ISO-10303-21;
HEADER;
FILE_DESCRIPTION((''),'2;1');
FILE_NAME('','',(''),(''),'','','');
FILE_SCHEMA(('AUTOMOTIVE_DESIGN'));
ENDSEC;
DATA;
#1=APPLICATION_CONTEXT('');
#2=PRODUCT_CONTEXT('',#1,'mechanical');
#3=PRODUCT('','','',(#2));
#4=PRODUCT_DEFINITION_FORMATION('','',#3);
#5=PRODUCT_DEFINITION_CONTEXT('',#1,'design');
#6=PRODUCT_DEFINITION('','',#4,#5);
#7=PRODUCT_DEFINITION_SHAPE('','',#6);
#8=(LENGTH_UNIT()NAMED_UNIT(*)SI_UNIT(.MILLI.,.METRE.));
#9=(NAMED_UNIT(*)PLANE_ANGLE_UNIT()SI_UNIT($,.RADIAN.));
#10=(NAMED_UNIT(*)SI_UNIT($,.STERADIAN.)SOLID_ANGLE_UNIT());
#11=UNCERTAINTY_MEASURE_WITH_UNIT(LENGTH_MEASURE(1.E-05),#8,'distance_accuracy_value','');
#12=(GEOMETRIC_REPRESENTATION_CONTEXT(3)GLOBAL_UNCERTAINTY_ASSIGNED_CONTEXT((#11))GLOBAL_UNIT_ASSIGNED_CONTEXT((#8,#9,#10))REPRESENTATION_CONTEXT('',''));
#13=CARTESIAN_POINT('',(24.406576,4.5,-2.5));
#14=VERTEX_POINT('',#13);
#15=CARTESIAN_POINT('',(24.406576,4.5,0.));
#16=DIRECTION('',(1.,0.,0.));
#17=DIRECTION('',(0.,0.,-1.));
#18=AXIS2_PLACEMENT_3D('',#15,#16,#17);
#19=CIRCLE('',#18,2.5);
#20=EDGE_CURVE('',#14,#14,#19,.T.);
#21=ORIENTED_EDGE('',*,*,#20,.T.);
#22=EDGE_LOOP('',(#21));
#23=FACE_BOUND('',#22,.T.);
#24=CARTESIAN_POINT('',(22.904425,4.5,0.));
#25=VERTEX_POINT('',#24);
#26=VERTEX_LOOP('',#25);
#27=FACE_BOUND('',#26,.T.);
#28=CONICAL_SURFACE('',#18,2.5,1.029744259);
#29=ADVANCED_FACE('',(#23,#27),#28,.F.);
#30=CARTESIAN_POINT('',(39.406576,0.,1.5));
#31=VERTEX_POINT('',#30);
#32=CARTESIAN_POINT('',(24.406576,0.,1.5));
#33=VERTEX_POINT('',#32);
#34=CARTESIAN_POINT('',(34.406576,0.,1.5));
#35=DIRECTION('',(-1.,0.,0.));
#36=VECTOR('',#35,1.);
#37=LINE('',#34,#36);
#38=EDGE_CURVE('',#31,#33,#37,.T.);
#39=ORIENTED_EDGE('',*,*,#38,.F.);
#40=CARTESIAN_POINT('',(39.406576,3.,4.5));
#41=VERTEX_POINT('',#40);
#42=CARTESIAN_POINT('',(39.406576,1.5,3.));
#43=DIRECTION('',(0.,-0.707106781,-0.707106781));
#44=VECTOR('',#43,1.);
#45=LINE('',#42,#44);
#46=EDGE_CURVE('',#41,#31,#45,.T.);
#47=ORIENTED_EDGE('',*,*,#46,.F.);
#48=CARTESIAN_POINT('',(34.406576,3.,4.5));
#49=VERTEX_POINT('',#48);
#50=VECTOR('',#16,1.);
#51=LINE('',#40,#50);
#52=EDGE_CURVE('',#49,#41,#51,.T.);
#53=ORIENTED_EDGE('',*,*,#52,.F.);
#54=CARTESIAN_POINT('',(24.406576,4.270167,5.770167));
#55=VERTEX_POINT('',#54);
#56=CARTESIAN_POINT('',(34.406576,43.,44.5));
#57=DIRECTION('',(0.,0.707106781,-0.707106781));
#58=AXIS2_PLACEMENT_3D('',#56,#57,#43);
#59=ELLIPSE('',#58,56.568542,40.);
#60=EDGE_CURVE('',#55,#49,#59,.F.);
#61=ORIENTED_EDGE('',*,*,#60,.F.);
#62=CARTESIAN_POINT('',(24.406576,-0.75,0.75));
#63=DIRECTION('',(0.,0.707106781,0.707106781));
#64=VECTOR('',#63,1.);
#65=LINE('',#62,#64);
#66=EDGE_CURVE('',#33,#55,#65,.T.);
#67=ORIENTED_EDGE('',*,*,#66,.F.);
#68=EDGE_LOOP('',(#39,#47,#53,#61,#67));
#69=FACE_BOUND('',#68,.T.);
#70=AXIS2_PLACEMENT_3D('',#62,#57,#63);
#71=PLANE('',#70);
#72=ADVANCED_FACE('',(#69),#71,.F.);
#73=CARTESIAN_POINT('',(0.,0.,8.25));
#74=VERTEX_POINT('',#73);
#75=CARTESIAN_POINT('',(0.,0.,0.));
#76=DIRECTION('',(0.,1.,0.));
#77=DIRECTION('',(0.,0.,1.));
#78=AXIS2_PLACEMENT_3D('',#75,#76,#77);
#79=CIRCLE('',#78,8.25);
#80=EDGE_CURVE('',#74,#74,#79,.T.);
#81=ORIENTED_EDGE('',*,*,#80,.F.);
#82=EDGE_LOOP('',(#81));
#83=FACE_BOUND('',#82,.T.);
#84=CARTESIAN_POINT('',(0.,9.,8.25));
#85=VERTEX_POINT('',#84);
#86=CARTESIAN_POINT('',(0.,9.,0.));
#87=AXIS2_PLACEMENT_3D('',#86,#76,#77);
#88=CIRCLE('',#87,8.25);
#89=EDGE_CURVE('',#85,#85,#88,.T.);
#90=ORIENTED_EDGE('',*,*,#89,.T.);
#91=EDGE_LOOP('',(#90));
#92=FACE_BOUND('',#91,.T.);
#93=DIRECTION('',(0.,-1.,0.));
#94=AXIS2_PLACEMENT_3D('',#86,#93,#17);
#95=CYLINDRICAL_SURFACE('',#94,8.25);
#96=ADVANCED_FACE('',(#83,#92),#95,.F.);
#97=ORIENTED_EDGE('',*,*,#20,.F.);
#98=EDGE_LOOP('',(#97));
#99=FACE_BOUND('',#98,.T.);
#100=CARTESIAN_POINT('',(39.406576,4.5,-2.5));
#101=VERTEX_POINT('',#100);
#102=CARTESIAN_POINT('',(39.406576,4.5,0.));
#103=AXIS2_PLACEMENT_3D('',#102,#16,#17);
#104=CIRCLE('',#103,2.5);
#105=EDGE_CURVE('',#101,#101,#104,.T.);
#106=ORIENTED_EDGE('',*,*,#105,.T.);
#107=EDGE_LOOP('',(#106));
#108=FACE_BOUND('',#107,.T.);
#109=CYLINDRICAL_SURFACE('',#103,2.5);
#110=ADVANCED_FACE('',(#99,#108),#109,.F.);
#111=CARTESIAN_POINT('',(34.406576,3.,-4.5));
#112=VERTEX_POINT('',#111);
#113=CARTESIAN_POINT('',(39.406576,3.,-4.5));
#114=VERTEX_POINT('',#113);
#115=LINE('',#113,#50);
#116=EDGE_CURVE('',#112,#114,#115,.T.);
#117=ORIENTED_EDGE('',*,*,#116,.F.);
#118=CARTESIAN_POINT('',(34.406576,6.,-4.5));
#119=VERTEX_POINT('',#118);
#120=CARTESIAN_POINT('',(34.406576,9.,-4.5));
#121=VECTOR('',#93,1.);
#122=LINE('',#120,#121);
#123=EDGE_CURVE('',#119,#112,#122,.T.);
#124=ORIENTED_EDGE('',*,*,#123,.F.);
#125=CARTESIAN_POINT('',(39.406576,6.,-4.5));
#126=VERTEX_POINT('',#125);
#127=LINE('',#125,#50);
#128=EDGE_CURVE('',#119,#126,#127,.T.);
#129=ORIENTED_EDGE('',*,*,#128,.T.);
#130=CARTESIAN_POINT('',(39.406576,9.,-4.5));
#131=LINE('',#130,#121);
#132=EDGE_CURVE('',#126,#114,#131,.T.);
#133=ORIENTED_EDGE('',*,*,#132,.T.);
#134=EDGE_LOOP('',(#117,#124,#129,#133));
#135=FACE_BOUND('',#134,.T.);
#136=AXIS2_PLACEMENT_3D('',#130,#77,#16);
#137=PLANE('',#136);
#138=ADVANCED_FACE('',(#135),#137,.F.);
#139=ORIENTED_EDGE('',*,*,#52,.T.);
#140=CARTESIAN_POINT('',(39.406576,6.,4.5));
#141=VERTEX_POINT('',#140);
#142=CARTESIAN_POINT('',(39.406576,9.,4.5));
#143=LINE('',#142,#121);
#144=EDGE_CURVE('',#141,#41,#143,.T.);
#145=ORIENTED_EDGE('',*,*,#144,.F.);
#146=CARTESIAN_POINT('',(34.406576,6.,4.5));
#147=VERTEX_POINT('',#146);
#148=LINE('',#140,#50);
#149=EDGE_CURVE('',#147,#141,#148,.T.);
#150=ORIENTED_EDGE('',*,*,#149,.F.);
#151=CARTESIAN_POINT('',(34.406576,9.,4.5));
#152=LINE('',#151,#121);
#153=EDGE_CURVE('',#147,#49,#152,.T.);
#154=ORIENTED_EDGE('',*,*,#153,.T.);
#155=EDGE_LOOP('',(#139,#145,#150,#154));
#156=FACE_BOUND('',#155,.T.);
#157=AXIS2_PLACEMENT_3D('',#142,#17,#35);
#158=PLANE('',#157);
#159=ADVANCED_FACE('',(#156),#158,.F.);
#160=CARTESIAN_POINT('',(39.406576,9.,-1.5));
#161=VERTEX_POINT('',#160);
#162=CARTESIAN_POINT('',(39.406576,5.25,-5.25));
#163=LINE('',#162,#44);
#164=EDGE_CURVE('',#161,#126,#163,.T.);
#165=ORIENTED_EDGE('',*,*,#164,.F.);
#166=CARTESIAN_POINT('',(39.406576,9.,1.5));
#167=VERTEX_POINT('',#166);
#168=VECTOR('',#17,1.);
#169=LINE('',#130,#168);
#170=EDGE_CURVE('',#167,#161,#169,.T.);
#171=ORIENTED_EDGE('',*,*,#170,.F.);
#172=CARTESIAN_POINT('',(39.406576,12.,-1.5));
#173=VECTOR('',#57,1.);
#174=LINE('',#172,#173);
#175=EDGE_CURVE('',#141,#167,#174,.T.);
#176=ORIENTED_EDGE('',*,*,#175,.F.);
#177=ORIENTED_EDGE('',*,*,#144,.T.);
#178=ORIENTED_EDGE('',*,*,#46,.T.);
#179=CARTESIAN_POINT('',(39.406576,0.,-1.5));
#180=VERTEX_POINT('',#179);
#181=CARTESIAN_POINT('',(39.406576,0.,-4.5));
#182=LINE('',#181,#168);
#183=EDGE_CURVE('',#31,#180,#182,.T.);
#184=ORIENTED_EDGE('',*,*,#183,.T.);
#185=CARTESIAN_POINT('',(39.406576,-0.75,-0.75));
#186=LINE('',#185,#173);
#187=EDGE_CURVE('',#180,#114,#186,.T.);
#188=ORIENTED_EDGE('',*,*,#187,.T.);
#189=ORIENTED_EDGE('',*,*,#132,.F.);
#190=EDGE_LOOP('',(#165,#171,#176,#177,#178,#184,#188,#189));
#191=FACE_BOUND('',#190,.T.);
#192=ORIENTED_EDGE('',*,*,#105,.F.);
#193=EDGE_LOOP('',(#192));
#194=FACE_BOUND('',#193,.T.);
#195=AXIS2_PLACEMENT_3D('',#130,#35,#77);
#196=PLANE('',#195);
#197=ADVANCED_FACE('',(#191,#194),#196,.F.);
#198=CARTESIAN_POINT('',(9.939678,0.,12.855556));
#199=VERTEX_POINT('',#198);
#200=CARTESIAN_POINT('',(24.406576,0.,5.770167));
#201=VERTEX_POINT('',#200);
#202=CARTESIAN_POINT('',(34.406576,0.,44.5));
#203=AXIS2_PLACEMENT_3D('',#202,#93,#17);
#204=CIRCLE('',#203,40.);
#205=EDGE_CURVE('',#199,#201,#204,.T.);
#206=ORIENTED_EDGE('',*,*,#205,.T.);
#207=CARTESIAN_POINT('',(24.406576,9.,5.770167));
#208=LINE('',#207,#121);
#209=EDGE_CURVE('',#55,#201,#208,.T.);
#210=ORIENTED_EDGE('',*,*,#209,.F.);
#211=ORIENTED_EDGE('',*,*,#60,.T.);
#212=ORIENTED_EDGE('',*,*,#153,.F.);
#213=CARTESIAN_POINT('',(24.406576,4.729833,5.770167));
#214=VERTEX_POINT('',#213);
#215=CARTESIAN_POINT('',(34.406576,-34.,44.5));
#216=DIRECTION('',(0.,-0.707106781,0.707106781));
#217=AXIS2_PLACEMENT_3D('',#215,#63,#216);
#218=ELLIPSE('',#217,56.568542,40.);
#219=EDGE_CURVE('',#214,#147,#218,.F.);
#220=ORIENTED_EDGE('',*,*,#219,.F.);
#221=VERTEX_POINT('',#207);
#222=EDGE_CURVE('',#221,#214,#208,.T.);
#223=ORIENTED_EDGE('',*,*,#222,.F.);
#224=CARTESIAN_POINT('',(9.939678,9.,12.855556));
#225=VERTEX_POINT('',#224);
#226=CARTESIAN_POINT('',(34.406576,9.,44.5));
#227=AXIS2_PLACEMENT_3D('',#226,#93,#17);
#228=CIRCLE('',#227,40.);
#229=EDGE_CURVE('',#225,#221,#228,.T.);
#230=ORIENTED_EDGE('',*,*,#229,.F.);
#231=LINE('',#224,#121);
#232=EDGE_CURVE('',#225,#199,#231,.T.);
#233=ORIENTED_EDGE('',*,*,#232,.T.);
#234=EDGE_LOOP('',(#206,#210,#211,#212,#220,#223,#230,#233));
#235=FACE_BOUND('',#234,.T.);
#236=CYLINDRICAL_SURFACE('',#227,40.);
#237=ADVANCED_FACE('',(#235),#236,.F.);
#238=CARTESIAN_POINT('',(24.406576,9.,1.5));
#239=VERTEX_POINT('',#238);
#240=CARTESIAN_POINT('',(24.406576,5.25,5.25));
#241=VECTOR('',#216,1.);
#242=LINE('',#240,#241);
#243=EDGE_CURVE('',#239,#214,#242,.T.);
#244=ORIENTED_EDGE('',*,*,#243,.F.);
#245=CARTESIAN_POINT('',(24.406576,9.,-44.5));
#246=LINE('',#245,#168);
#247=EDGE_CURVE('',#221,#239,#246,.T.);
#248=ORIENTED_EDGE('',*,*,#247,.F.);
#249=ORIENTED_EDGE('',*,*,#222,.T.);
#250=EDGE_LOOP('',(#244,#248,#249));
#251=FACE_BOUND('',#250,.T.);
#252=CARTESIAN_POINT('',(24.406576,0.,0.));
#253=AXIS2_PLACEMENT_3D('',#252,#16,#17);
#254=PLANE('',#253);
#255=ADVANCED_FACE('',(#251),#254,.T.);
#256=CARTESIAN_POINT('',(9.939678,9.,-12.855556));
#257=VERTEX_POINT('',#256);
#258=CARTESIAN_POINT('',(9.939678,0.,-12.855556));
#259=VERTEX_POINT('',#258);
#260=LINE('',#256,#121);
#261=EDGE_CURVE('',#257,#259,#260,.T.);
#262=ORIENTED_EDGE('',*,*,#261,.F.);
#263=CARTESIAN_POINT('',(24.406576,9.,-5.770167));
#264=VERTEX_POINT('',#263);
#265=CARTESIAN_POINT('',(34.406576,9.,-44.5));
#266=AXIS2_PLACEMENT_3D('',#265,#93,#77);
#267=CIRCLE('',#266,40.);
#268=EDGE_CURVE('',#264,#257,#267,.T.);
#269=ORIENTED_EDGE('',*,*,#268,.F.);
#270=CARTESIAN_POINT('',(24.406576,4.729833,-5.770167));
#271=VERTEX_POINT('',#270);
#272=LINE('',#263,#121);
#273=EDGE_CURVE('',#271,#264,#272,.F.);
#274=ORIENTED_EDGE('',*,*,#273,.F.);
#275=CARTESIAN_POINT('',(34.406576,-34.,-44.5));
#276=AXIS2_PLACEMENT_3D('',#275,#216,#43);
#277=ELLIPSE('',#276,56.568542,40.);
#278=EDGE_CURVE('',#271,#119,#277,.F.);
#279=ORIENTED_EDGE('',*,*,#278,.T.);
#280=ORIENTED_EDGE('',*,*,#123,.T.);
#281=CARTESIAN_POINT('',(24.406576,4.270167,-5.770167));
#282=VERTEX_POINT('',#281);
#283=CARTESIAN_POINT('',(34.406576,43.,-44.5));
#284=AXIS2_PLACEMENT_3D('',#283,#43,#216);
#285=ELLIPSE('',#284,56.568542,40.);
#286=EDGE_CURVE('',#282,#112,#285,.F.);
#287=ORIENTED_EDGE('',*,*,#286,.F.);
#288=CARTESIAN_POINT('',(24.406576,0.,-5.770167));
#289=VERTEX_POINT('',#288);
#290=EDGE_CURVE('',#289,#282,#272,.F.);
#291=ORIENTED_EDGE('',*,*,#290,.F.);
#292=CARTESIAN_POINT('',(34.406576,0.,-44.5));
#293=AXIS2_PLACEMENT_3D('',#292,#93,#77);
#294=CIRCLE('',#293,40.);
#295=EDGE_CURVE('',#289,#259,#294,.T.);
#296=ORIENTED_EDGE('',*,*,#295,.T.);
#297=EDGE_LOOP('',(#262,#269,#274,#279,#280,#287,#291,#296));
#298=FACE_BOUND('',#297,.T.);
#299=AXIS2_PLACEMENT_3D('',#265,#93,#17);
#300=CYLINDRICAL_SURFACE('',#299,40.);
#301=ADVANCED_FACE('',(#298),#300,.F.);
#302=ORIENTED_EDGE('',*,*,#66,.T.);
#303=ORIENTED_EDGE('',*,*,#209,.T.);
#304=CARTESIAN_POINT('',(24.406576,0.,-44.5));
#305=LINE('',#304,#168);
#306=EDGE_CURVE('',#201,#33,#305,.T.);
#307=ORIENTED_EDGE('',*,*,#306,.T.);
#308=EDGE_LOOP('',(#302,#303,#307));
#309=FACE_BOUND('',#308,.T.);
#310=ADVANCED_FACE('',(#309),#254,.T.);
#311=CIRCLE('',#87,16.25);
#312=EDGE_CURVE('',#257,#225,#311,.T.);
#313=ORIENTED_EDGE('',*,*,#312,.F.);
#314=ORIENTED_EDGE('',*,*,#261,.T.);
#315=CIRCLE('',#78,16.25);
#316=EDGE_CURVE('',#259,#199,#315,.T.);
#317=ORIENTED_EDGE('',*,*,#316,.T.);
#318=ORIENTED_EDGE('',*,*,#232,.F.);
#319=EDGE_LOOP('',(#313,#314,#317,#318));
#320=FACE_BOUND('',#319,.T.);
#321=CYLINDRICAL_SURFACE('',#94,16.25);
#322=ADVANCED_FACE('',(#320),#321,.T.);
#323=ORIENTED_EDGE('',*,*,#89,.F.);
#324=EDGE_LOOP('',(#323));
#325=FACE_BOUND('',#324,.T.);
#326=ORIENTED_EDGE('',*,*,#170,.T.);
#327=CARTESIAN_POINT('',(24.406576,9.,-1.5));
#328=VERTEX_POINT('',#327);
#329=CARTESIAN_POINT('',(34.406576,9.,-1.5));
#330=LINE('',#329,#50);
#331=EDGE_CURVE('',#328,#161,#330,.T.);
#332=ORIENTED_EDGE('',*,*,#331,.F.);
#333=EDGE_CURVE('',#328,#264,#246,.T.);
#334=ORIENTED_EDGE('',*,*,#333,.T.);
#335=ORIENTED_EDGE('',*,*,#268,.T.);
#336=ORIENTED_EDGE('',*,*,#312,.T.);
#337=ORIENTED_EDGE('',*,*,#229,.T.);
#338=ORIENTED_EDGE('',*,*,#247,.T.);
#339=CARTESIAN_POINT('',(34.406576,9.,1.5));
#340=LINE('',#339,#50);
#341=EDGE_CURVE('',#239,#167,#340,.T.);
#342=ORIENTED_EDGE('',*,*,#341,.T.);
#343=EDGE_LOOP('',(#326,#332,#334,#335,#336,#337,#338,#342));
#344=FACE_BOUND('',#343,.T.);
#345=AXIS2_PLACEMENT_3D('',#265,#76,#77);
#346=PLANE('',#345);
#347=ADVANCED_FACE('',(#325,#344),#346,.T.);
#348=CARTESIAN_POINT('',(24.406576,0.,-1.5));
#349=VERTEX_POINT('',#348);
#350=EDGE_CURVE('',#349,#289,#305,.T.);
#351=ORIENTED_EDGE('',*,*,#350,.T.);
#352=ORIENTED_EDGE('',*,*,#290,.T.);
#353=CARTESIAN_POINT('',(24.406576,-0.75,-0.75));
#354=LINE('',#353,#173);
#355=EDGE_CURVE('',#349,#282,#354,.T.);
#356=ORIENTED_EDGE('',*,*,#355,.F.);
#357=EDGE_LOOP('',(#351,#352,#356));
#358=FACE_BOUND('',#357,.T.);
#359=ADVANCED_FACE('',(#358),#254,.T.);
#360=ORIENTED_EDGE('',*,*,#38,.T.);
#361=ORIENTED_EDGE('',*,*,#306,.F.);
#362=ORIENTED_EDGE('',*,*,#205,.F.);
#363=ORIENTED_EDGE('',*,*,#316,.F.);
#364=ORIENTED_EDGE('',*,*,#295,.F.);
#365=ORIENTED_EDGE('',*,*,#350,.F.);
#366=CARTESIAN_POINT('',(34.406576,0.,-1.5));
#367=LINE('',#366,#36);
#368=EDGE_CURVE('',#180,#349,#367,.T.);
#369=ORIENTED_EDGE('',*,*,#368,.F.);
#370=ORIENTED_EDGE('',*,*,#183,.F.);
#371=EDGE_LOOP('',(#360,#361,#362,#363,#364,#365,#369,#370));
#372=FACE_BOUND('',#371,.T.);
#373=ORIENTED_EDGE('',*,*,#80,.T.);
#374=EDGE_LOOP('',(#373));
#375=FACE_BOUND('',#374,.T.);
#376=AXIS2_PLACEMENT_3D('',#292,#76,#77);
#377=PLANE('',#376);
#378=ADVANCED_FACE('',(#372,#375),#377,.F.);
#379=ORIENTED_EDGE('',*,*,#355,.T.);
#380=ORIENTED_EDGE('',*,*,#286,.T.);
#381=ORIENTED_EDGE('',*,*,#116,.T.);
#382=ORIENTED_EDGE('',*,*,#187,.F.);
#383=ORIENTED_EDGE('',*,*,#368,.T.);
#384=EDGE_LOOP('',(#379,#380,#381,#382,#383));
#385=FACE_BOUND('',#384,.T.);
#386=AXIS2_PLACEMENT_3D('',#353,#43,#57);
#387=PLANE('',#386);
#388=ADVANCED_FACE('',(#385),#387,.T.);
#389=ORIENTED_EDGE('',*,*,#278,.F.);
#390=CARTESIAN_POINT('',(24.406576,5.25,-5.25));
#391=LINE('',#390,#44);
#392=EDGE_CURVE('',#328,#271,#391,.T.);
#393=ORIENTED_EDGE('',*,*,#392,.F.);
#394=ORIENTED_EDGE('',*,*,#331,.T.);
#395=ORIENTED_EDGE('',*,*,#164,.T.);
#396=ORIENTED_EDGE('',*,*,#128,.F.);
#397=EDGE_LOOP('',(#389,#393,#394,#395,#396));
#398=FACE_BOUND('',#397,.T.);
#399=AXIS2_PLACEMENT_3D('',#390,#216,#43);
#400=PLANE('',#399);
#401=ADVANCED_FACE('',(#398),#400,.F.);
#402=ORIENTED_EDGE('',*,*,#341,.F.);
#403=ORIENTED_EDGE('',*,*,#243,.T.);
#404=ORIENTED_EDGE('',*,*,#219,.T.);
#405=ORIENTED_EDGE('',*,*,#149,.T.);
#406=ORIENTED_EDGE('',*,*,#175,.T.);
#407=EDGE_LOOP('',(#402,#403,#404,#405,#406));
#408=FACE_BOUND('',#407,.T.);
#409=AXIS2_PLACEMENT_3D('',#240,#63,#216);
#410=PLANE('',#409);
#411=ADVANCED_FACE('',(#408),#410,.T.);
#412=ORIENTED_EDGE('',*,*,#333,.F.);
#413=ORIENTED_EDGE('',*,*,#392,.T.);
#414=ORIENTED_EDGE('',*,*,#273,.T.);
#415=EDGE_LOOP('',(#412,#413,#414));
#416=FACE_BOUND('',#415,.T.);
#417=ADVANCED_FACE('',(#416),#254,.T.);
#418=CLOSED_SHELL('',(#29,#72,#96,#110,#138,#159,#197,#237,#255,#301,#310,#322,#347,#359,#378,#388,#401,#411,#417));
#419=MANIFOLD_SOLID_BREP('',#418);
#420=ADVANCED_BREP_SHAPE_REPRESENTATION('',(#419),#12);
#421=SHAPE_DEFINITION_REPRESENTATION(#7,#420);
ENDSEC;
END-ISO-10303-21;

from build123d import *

# Parameters (mm, degrees)
SKETCH1_R                 = 8.25
BOSS_EXTRUDE1_DEPTH       = 9
M6X1_0_TAPPED_HOLE2_D     = 5
M6X1_0_TAPPED_HOLE2_DEPTH = 15
M6X1_0_TAPPED_HOLE2_TIP   = 1.502151548
CUT_EXTRUDE4_DEPTH        = 15


with BuildPart() as part:
    # Sketch1 → Boss-Extrude1 (new body)
    with BuildSketch(Plane(origin=(0, 0, 0), x_dir=(1, 0, 0), z_dir=(0, 1, 0))):
        with BuildLine():
            Line((39.406576406, 4.5), (39.406576406, -4.5))
            Line((39.406576406, -4.5), (34.406576406, -4.5))
            ThreePointArc((34.406576406, -4.5), (21.47943012, -6.646481156), (9.939677628, -12.855555556))
            ThreePointArc((9.939677628, -12.855555556), (-16.25, 0), (9.939677628, 12.855555556))
            ThreePointArc((9.939677628, 12.855555556), (21.47943012, 6.646481156), (34.406576406, 4.5))
            Line((34.406576406, 4.5), (39.406576406, 4.5))
        make_face()
        with Locations(Location((0, 0, 0), (0, 0, 270))):
            Circle(SKETCH1_R, mode=Mode.SUBTRACT)
    extrude(amount=BOSS_EXTRUDE1_DEPTH)

    # M6x1.0 Tapped Hole2
    with Locations(Plane(origin=(39.406576406, 0, 0), x_dir=(0, 0, -1), z_dir=(1, 0, 0))):
        with Locations((0, 4.5)):
            Hole(M6X1_0_TAPPED_HOLE2_D / 2, depth=M6X1_0_TAPPED_HOLE2_DEPTH)
            with Locations((0, 0, -(M6X1_0_TAPPED_HOLE2_DEPTH + M6X1_0_TAPPED_HOLE2_TIP / 2))):  # 118° drill point
                Cone(0, M6X1_0_TAPPED_HOLE2_D / 2, M6X1_0_TAPPED_HOLE2_TIP, mode=Mode.SUBTRACT)

    # Sketch11 → Cut-Extrude4 (cut)
    with BuildSketch(Plane(origin=(39.406576406, 0, 0), x_dir=(0, 0, -1), z_dir=(1, 0, 0))):
        Polygon((-1.5, 9), (0, 10.5), (-6, 10.5), (-6, 4.5), (-4.5, 6), (-4.5, 9), align=None)
        Polygon((-4.5, 6), (-1.5, 9), (-4.5, 9), align=None)
        Polygon((6, 10.5), (0, 10.5), (1.5, 9), (4.5, 9), (4.5, 6), (6, 4.5), align=None)
        Polygon((4.5, 9), (1.5, 9), (4.5, 6), align=None)
        Polygon((4.5, 0), (4.5, 3), (1.5, 0), align=None)
        Polygon((6, -1.5), (6, 4.5), (4.5, 3), (4.5, 0), (1.5, 0), (0, -1.5), align=None)
        Polygon((-1.5, 0), (-4.5, 3), (-4.5, 0), align=None)
        Polygon((-4.5, 3), (-6, 4.5), (-6, -1.5), (0, -1.5), (-1.5, 0), (-4.5, 0), align=None)
    extrude(amount=-CUT_EXTRUDE4_DEPTH, mode=Mode.SUBTRACT)


solid = part.part
